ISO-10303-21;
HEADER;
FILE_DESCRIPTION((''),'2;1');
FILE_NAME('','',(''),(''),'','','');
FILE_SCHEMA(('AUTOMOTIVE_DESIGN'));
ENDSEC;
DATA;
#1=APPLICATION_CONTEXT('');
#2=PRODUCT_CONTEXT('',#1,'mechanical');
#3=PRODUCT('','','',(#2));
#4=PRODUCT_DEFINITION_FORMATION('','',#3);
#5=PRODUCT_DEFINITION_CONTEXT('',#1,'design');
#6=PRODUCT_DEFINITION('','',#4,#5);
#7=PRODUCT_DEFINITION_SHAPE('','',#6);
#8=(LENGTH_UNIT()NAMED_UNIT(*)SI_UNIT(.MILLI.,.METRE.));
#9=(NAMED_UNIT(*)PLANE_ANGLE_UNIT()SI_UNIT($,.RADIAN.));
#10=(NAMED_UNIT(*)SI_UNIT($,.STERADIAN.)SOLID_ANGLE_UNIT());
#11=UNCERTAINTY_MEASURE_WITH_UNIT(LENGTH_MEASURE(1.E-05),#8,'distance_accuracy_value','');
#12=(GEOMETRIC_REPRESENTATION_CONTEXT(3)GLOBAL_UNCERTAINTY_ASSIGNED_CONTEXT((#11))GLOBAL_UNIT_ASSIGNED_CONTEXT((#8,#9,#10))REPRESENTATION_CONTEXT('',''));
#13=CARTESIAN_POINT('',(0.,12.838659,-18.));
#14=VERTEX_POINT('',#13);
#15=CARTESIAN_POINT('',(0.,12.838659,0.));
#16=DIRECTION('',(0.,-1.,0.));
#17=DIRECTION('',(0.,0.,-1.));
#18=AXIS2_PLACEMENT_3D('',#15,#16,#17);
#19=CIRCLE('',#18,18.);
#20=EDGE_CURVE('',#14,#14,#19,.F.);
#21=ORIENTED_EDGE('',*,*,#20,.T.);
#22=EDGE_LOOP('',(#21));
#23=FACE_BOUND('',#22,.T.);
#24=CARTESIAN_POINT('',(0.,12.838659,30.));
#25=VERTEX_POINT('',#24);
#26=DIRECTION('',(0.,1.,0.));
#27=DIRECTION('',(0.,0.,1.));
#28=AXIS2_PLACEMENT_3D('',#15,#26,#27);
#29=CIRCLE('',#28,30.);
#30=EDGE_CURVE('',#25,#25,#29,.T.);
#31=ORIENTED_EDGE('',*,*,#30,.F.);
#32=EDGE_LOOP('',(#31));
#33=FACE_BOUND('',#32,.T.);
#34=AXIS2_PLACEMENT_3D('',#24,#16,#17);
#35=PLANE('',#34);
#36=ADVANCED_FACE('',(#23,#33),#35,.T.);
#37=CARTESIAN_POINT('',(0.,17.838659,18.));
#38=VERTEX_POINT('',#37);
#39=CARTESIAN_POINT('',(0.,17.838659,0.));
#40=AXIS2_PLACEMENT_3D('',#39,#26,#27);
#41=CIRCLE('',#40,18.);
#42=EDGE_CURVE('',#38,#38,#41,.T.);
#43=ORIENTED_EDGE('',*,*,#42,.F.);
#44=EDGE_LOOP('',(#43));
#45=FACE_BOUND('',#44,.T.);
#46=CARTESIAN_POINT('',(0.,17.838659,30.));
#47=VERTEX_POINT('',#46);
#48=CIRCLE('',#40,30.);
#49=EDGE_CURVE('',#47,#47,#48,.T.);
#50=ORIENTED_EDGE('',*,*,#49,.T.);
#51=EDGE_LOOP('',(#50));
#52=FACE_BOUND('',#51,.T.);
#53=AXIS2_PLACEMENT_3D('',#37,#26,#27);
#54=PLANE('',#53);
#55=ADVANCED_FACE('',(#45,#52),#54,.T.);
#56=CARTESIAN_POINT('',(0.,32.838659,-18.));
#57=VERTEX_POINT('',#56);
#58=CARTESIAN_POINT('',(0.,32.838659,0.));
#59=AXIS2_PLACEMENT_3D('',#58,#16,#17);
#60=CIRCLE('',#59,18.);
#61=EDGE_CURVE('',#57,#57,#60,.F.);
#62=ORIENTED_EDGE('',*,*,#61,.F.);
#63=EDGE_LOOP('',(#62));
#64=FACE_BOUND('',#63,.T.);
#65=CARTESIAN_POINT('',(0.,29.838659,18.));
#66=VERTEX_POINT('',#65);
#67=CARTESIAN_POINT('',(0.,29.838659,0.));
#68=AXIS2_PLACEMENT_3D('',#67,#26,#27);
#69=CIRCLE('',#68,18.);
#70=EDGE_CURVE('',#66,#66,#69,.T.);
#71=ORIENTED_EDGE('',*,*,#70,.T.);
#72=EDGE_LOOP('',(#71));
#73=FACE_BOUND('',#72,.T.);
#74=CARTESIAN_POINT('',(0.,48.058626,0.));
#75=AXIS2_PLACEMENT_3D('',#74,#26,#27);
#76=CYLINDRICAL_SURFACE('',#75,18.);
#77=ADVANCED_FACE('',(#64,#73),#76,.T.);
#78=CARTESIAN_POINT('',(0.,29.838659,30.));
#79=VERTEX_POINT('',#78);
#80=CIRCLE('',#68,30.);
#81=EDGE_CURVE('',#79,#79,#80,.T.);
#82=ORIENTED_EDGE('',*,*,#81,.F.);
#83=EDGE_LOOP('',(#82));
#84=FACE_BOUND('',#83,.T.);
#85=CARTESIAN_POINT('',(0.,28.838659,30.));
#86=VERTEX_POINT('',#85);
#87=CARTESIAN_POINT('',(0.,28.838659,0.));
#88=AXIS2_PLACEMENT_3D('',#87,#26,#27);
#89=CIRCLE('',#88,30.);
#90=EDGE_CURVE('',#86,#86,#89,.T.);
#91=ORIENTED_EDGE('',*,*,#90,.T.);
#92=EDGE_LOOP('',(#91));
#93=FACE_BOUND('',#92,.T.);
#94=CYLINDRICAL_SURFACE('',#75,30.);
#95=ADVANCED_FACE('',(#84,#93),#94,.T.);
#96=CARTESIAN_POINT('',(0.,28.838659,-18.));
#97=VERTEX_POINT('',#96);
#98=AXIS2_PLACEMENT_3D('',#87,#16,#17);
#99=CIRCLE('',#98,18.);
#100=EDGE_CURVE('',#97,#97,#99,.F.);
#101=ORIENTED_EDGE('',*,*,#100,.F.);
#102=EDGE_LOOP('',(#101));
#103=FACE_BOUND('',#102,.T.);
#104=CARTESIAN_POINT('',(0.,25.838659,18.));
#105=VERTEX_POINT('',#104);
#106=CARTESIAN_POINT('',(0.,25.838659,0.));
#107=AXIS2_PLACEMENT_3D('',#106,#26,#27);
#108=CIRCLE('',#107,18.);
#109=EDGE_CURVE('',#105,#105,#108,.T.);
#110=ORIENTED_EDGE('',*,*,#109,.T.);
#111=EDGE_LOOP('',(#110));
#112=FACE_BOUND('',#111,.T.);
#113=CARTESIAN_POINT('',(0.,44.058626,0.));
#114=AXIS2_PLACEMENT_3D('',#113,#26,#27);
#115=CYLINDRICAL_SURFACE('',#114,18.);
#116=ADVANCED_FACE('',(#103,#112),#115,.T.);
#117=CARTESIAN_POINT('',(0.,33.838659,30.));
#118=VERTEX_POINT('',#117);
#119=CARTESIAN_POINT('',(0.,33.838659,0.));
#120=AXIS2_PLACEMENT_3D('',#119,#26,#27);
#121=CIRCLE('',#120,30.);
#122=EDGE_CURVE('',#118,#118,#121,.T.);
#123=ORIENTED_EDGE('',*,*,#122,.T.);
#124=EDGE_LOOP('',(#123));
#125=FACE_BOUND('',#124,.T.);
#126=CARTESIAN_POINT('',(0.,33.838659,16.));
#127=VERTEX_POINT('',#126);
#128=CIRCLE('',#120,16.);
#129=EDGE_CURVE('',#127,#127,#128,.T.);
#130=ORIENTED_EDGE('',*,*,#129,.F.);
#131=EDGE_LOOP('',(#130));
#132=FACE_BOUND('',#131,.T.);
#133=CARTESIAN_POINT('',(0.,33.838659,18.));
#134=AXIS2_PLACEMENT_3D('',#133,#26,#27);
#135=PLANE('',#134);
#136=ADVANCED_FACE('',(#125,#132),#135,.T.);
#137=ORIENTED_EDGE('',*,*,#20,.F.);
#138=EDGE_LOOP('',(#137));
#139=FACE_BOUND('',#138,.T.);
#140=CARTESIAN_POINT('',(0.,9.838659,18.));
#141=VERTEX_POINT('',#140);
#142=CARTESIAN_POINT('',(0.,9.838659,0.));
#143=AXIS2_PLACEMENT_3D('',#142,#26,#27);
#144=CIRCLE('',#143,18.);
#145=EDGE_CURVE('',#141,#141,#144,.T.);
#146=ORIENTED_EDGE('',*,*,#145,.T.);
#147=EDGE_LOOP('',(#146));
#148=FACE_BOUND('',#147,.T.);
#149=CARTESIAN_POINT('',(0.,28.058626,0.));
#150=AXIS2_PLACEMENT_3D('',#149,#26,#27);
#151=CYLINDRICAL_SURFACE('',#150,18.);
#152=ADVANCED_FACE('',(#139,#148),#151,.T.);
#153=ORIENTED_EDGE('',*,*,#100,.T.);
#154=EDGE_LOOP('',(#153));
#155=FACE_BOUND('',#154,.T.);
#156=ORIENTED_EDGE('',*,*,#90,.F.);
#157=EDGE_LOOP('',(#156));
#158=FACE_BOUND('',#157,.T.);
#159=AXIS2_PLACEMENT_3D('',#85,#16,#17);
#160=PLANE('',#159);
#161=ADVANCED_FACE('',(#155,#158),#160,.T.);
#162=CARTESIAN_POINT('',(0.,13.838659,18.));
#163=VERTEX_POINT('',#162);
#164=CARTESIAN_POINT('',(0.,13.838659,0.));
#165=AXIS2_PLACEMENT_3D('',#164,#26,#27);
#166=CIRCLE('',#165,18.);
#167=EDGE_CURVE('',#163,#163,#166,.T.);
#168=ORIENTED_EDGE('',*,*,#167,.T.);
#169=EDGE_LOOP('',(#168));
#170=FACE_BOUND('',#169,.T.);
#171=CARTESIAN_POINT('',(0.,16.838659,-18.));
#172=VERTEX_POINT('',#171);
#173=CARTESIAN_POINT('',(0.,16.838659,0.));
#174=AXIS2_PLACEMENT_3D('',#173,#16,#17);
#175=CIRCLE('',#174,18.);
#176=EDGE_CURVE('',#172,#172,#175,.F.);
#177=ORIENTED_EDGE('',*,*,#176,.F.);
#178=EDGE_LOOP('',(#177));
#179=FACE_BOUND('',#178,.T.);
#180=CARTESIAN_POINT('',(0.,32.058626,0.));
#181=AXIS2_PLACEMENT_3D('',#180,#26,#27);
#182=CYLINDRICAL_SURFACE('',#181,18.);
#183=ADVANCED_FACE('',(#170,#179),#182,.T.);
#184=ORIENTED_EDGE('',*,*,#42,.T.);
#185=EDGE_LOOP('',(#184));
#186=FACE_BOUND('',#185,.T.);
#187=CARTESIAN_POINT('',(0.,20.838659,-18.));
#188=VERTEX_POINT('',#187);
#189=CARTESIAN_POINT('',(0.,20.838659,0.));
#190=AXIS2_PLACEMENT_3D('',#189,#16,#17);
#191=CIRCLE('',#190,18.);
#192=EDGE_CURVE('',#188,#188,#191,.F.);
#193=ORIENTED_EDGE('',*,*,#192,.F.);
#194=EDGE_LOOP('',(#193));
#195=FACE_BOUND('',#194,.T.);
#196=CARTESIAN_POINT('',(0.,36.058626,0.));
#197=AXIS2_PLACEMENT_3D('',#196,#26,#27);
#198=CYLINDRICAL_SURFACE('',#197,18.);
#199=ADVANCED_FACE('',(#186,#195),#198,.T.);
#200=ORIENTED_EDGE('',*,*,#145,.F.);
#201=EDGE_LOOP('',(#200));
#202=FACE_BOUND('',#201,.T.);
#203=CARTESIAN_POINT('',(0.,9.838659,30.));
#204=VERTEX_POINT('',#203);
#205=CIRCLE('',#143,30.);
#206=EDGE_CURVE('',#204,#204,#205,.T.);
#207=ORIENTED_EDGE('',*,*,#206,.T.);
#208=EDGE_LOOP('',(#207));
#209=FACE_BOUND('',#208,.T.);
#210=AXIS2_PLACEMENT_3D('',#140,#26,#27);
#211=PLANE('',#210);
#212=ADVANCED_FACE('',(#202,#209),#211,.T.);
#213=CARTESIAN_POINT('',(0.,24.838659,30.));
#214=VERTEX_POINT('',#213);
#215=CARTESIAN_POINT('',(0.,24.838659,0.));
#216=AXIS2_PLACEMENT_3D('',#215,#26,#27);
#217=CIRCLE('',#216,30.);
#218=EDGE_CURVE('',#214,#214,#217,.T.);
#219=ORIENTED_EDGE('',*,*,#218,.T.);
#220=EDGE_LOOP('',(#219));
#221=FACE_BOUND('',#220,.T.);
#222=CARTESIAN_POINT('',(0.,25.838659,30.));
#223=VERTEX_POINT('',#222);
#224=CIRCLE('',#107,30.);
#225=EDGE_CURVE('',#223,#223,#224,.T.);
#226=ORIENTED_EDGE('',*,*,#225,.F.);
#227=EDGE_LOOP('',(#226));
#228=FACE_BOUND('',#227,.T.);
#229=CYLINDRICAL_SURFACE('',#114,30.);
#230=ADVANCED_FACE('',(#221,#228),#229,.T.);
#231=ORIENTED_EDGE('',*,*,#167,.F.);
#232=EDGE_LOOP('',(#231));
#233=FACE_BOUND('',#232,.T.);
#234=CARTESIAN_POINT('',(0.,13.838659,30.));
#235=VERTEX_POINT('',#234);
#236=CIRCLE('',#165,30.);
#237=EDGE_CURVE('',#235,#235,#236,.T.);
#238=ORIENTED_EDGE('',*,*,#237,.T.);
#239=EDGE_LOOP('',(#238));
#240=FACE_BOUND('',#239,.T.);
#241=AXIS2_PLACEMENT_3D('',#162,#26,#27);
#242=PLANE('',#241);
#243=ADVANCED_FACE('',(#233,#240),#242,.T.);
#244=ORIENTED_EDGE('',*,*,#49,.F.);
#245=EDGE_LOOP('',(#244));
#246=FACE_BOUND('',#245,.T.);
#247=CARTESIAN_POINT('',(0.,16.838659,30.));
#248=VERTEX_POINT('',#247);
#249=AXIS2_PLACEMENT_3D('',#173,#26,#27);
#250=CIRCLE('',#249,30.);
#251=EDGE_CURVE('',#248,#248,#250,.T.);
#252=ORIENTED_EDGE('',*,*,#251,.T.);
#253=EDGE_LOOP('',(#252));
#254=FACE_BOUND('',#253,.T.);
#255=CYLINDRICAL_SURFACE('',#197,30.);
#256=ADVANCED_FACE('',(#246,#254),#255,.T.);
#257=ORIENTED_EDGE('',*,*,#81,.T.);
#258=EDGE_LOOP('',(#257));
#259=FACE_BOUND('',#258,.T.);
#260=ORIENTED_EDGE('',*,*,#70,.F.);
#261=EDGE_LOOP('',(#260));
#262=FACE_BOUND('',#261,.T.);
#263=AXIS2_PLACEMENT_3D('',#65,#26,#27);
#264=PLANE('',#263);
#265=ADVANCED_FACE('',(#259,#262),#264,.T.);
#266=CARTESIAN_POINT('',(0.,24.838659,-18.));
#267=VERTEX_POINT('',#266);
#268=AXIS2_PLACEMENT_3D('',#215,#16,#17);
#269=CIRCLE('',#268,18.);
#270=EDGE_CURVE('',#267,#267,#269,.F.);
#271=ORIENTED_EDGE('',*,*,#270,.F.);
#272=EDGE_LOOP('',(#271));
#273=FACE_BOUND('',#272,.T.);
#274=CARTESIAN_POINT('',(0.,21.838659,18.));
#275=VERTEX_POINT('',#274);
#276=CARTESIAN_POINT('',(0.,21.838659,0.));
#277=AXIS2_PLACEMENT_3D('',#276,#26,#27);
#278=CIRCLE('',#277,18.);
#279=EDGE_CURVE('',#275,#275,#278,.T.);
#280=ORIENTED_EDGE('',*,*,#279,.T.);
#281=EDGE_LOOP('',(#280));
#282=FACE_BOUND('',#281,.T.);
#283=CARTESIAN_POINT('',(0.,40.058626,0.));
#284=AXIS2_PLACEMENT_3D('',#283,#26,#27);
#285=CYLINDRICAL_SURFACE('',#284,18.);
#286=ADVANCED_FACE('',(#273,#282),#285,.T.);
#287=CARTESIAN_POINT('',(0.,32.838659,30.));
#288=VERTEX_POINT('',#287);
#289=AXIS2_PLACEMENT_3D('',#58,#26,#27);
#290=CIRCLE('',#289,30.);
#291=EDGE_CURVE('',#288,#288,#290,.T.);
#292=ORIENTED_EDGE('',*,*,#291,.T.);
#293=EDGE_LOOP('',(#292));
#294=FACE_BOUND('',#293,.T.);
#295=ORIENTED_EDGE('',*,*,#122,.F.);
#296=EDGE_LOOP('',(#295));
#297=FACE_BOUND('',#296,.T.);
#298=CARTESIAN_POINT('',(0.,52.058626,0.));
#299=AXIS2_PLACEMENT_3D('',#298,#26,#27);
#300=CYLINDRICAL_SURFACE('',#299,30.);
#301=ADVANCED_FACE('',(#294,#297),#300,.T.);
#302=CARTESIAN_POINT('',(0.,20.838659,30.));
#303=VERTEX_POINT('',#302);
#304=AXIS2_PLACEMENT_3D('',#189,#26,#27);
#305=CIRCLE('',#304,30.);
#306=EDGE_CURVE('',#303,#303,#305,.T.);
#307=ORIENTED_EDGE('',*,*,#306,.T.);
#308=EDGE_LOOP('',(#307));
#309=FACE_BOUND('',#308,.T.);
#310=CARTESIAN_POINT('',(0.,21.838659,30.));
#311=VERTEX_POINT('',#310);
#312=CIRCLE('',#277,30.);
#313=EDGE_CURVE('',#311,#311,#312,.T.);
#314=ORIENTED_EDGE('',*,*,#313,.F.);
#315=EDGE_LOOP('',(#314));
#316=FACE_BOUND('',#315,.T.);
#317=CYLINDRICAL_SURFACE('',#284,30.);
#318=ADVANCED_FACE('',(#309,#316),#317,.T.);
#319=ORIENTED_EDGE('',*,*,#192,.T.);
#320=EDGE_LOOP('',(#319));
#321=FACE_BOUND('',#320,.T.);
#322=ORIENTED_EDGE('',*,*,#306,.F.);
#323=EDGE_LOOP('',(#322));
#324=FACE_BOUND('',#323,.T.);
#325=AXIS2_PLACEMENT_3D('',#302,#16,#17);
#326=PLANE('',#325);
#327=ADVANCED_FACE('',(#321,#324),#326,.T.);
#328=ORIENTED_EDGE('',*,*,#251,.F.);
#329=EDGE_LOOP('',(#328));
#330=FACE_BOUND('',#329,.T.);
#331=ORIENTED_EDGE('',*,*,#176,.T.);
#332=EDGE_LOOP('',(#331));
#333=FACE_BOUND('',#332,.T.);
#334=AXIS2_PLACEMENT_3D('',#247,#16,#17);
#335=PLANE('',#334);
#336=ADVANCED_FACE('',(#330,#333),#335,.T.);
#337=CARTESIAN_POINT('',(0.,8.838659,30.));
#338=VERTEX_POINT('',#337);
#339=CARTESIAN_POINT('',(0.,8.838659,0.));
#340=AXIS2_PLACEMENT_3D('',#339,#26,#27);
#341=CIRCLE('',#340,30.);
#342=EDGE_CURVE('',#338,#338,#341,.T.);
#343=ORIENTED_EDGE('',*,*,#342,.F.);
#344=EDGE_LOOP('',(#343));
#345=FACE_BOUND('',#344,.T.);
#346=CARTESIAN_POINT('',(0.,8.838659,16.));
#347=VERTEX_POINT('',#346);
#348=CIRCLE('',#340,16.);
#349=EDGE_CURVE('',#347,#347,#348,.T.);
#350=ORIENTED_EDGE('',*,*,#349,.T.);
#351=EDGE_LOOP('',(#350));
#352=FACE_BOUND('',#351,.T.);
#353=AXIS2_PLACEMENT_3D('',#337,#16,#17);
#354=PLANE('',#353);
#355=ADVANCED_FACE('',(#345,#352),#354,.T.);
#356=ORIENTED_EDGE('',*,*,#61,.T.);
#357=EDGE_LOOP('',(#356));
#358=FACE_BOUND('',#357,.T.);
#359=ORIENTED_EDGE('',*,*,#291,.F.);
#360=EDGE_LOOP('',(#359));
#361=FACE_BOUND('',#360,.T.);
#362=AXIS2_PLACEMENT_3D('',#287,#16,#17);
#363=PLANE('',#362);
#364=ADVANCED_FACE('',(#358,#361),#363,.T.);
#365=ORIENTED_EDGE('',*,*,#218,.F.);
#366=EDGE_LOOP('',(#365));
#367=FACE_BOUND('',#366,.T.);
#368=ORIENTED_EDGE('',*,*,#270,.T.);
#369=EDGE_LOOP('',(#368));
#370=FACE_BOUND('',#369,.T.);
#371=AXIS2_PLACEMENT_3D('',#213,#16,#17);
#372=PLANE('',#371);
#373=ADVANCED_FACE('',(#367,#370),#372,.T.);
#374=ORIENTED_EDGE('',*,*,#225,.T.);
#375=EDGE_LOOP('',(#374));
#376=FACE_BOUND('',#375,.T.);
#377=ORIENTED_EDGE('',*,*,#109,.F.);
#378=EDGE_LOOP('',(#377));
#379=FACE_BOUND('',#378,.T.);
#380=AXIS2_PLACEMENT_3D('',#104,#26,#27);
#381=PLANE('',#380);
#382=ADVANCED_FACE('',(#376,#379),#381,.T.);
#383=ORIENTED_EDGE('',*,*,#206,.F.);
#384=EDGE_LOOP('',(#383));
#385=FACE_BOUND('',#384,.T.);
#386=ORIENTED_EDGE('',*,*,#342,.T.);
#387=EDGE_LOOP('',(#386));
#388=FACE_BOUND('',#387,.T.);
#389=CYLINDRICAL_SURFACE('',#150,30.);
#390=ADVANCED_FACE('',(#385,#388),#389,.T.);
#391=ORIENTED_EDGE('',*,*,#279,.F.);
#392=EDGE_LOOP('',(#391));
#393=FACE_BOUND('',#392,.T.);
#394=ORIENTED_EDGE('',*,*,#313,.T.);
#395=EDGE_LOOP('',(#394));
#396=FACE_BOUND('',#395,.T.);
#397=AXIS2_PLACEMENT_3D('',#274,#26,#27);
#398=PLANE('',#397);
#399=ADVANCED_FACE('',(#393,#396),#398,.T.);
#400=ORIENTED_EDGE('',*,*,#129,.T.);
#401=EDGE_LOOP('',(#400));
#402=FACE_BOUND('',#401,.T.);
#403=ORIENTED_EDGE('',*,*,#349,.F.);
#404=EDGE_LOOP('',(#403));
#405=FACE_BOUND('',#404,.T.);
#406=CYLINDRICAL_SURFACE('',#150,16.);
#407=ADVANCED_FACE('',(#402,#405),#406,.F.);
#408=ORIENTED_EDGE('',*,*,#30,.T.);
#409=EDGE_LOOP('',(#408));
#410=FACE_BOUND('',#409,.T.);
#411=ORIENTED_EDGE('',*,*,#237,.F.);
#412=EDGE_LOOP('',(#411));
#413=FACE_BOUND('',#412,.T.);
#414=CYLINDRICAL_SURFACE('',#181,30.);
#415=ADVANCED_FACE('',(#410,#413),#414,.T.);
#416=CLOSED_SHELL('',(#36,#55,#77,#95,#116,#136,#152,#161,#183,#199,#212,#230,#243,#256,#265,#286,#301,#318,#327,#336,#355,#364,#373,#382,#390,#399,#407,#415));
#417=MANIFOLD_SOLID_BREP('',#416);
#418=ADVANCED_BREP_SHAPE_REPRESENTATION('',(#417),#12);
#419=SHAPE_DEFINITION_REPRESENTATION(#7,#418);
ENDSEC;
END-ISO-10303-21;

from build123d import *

# Parameters (mm, degrees)
LPATTERN1_COUNT    = 7
LPATTERN1_PITCH    = 4
SKETCH3_R          = 19.047367533
CUT_EXTRUDE3_DEPTH = 4


with BuildPart() as part:
    # Sketch1 → Revolve1 (revolve)
    with BuildSketch(Plane(origin=(0, 0, 0), x_dir=(0, 0, -1), z_dir=(1, 0, 0))):
        Polygon((-18, 13.838658872), (-18, 9.838658872), (-30, 9.838658872), (-30, 8.838658872), (-16, 8.838658872), (-16, 13.838658872), align=None)
    revolve1 = revolve(axis=Axis((0, 28.058626224, 0), (0, -1, 0)))

    # LPattern1: Revolve1 ×7
    with Locations(*[(0, i * LPATTERN1_PITCH, 0) for i in range(1, LPATTERN1_COUNT)]):
        add(revolve1)

    # Sketch3 → Cut-Extrude3 (cut)
    with BuildSketch(Plane(origin=(0, 37.838658872, 0), x_dir=(1, 0, 0), z_dir=(0, 1, 0))):
        Circle(SKETCH3_R)
    extrude(amount=-CUT_EXTRUDE3_DEPTH, mode=Mode.SUBTRACT)


solid = part.part
